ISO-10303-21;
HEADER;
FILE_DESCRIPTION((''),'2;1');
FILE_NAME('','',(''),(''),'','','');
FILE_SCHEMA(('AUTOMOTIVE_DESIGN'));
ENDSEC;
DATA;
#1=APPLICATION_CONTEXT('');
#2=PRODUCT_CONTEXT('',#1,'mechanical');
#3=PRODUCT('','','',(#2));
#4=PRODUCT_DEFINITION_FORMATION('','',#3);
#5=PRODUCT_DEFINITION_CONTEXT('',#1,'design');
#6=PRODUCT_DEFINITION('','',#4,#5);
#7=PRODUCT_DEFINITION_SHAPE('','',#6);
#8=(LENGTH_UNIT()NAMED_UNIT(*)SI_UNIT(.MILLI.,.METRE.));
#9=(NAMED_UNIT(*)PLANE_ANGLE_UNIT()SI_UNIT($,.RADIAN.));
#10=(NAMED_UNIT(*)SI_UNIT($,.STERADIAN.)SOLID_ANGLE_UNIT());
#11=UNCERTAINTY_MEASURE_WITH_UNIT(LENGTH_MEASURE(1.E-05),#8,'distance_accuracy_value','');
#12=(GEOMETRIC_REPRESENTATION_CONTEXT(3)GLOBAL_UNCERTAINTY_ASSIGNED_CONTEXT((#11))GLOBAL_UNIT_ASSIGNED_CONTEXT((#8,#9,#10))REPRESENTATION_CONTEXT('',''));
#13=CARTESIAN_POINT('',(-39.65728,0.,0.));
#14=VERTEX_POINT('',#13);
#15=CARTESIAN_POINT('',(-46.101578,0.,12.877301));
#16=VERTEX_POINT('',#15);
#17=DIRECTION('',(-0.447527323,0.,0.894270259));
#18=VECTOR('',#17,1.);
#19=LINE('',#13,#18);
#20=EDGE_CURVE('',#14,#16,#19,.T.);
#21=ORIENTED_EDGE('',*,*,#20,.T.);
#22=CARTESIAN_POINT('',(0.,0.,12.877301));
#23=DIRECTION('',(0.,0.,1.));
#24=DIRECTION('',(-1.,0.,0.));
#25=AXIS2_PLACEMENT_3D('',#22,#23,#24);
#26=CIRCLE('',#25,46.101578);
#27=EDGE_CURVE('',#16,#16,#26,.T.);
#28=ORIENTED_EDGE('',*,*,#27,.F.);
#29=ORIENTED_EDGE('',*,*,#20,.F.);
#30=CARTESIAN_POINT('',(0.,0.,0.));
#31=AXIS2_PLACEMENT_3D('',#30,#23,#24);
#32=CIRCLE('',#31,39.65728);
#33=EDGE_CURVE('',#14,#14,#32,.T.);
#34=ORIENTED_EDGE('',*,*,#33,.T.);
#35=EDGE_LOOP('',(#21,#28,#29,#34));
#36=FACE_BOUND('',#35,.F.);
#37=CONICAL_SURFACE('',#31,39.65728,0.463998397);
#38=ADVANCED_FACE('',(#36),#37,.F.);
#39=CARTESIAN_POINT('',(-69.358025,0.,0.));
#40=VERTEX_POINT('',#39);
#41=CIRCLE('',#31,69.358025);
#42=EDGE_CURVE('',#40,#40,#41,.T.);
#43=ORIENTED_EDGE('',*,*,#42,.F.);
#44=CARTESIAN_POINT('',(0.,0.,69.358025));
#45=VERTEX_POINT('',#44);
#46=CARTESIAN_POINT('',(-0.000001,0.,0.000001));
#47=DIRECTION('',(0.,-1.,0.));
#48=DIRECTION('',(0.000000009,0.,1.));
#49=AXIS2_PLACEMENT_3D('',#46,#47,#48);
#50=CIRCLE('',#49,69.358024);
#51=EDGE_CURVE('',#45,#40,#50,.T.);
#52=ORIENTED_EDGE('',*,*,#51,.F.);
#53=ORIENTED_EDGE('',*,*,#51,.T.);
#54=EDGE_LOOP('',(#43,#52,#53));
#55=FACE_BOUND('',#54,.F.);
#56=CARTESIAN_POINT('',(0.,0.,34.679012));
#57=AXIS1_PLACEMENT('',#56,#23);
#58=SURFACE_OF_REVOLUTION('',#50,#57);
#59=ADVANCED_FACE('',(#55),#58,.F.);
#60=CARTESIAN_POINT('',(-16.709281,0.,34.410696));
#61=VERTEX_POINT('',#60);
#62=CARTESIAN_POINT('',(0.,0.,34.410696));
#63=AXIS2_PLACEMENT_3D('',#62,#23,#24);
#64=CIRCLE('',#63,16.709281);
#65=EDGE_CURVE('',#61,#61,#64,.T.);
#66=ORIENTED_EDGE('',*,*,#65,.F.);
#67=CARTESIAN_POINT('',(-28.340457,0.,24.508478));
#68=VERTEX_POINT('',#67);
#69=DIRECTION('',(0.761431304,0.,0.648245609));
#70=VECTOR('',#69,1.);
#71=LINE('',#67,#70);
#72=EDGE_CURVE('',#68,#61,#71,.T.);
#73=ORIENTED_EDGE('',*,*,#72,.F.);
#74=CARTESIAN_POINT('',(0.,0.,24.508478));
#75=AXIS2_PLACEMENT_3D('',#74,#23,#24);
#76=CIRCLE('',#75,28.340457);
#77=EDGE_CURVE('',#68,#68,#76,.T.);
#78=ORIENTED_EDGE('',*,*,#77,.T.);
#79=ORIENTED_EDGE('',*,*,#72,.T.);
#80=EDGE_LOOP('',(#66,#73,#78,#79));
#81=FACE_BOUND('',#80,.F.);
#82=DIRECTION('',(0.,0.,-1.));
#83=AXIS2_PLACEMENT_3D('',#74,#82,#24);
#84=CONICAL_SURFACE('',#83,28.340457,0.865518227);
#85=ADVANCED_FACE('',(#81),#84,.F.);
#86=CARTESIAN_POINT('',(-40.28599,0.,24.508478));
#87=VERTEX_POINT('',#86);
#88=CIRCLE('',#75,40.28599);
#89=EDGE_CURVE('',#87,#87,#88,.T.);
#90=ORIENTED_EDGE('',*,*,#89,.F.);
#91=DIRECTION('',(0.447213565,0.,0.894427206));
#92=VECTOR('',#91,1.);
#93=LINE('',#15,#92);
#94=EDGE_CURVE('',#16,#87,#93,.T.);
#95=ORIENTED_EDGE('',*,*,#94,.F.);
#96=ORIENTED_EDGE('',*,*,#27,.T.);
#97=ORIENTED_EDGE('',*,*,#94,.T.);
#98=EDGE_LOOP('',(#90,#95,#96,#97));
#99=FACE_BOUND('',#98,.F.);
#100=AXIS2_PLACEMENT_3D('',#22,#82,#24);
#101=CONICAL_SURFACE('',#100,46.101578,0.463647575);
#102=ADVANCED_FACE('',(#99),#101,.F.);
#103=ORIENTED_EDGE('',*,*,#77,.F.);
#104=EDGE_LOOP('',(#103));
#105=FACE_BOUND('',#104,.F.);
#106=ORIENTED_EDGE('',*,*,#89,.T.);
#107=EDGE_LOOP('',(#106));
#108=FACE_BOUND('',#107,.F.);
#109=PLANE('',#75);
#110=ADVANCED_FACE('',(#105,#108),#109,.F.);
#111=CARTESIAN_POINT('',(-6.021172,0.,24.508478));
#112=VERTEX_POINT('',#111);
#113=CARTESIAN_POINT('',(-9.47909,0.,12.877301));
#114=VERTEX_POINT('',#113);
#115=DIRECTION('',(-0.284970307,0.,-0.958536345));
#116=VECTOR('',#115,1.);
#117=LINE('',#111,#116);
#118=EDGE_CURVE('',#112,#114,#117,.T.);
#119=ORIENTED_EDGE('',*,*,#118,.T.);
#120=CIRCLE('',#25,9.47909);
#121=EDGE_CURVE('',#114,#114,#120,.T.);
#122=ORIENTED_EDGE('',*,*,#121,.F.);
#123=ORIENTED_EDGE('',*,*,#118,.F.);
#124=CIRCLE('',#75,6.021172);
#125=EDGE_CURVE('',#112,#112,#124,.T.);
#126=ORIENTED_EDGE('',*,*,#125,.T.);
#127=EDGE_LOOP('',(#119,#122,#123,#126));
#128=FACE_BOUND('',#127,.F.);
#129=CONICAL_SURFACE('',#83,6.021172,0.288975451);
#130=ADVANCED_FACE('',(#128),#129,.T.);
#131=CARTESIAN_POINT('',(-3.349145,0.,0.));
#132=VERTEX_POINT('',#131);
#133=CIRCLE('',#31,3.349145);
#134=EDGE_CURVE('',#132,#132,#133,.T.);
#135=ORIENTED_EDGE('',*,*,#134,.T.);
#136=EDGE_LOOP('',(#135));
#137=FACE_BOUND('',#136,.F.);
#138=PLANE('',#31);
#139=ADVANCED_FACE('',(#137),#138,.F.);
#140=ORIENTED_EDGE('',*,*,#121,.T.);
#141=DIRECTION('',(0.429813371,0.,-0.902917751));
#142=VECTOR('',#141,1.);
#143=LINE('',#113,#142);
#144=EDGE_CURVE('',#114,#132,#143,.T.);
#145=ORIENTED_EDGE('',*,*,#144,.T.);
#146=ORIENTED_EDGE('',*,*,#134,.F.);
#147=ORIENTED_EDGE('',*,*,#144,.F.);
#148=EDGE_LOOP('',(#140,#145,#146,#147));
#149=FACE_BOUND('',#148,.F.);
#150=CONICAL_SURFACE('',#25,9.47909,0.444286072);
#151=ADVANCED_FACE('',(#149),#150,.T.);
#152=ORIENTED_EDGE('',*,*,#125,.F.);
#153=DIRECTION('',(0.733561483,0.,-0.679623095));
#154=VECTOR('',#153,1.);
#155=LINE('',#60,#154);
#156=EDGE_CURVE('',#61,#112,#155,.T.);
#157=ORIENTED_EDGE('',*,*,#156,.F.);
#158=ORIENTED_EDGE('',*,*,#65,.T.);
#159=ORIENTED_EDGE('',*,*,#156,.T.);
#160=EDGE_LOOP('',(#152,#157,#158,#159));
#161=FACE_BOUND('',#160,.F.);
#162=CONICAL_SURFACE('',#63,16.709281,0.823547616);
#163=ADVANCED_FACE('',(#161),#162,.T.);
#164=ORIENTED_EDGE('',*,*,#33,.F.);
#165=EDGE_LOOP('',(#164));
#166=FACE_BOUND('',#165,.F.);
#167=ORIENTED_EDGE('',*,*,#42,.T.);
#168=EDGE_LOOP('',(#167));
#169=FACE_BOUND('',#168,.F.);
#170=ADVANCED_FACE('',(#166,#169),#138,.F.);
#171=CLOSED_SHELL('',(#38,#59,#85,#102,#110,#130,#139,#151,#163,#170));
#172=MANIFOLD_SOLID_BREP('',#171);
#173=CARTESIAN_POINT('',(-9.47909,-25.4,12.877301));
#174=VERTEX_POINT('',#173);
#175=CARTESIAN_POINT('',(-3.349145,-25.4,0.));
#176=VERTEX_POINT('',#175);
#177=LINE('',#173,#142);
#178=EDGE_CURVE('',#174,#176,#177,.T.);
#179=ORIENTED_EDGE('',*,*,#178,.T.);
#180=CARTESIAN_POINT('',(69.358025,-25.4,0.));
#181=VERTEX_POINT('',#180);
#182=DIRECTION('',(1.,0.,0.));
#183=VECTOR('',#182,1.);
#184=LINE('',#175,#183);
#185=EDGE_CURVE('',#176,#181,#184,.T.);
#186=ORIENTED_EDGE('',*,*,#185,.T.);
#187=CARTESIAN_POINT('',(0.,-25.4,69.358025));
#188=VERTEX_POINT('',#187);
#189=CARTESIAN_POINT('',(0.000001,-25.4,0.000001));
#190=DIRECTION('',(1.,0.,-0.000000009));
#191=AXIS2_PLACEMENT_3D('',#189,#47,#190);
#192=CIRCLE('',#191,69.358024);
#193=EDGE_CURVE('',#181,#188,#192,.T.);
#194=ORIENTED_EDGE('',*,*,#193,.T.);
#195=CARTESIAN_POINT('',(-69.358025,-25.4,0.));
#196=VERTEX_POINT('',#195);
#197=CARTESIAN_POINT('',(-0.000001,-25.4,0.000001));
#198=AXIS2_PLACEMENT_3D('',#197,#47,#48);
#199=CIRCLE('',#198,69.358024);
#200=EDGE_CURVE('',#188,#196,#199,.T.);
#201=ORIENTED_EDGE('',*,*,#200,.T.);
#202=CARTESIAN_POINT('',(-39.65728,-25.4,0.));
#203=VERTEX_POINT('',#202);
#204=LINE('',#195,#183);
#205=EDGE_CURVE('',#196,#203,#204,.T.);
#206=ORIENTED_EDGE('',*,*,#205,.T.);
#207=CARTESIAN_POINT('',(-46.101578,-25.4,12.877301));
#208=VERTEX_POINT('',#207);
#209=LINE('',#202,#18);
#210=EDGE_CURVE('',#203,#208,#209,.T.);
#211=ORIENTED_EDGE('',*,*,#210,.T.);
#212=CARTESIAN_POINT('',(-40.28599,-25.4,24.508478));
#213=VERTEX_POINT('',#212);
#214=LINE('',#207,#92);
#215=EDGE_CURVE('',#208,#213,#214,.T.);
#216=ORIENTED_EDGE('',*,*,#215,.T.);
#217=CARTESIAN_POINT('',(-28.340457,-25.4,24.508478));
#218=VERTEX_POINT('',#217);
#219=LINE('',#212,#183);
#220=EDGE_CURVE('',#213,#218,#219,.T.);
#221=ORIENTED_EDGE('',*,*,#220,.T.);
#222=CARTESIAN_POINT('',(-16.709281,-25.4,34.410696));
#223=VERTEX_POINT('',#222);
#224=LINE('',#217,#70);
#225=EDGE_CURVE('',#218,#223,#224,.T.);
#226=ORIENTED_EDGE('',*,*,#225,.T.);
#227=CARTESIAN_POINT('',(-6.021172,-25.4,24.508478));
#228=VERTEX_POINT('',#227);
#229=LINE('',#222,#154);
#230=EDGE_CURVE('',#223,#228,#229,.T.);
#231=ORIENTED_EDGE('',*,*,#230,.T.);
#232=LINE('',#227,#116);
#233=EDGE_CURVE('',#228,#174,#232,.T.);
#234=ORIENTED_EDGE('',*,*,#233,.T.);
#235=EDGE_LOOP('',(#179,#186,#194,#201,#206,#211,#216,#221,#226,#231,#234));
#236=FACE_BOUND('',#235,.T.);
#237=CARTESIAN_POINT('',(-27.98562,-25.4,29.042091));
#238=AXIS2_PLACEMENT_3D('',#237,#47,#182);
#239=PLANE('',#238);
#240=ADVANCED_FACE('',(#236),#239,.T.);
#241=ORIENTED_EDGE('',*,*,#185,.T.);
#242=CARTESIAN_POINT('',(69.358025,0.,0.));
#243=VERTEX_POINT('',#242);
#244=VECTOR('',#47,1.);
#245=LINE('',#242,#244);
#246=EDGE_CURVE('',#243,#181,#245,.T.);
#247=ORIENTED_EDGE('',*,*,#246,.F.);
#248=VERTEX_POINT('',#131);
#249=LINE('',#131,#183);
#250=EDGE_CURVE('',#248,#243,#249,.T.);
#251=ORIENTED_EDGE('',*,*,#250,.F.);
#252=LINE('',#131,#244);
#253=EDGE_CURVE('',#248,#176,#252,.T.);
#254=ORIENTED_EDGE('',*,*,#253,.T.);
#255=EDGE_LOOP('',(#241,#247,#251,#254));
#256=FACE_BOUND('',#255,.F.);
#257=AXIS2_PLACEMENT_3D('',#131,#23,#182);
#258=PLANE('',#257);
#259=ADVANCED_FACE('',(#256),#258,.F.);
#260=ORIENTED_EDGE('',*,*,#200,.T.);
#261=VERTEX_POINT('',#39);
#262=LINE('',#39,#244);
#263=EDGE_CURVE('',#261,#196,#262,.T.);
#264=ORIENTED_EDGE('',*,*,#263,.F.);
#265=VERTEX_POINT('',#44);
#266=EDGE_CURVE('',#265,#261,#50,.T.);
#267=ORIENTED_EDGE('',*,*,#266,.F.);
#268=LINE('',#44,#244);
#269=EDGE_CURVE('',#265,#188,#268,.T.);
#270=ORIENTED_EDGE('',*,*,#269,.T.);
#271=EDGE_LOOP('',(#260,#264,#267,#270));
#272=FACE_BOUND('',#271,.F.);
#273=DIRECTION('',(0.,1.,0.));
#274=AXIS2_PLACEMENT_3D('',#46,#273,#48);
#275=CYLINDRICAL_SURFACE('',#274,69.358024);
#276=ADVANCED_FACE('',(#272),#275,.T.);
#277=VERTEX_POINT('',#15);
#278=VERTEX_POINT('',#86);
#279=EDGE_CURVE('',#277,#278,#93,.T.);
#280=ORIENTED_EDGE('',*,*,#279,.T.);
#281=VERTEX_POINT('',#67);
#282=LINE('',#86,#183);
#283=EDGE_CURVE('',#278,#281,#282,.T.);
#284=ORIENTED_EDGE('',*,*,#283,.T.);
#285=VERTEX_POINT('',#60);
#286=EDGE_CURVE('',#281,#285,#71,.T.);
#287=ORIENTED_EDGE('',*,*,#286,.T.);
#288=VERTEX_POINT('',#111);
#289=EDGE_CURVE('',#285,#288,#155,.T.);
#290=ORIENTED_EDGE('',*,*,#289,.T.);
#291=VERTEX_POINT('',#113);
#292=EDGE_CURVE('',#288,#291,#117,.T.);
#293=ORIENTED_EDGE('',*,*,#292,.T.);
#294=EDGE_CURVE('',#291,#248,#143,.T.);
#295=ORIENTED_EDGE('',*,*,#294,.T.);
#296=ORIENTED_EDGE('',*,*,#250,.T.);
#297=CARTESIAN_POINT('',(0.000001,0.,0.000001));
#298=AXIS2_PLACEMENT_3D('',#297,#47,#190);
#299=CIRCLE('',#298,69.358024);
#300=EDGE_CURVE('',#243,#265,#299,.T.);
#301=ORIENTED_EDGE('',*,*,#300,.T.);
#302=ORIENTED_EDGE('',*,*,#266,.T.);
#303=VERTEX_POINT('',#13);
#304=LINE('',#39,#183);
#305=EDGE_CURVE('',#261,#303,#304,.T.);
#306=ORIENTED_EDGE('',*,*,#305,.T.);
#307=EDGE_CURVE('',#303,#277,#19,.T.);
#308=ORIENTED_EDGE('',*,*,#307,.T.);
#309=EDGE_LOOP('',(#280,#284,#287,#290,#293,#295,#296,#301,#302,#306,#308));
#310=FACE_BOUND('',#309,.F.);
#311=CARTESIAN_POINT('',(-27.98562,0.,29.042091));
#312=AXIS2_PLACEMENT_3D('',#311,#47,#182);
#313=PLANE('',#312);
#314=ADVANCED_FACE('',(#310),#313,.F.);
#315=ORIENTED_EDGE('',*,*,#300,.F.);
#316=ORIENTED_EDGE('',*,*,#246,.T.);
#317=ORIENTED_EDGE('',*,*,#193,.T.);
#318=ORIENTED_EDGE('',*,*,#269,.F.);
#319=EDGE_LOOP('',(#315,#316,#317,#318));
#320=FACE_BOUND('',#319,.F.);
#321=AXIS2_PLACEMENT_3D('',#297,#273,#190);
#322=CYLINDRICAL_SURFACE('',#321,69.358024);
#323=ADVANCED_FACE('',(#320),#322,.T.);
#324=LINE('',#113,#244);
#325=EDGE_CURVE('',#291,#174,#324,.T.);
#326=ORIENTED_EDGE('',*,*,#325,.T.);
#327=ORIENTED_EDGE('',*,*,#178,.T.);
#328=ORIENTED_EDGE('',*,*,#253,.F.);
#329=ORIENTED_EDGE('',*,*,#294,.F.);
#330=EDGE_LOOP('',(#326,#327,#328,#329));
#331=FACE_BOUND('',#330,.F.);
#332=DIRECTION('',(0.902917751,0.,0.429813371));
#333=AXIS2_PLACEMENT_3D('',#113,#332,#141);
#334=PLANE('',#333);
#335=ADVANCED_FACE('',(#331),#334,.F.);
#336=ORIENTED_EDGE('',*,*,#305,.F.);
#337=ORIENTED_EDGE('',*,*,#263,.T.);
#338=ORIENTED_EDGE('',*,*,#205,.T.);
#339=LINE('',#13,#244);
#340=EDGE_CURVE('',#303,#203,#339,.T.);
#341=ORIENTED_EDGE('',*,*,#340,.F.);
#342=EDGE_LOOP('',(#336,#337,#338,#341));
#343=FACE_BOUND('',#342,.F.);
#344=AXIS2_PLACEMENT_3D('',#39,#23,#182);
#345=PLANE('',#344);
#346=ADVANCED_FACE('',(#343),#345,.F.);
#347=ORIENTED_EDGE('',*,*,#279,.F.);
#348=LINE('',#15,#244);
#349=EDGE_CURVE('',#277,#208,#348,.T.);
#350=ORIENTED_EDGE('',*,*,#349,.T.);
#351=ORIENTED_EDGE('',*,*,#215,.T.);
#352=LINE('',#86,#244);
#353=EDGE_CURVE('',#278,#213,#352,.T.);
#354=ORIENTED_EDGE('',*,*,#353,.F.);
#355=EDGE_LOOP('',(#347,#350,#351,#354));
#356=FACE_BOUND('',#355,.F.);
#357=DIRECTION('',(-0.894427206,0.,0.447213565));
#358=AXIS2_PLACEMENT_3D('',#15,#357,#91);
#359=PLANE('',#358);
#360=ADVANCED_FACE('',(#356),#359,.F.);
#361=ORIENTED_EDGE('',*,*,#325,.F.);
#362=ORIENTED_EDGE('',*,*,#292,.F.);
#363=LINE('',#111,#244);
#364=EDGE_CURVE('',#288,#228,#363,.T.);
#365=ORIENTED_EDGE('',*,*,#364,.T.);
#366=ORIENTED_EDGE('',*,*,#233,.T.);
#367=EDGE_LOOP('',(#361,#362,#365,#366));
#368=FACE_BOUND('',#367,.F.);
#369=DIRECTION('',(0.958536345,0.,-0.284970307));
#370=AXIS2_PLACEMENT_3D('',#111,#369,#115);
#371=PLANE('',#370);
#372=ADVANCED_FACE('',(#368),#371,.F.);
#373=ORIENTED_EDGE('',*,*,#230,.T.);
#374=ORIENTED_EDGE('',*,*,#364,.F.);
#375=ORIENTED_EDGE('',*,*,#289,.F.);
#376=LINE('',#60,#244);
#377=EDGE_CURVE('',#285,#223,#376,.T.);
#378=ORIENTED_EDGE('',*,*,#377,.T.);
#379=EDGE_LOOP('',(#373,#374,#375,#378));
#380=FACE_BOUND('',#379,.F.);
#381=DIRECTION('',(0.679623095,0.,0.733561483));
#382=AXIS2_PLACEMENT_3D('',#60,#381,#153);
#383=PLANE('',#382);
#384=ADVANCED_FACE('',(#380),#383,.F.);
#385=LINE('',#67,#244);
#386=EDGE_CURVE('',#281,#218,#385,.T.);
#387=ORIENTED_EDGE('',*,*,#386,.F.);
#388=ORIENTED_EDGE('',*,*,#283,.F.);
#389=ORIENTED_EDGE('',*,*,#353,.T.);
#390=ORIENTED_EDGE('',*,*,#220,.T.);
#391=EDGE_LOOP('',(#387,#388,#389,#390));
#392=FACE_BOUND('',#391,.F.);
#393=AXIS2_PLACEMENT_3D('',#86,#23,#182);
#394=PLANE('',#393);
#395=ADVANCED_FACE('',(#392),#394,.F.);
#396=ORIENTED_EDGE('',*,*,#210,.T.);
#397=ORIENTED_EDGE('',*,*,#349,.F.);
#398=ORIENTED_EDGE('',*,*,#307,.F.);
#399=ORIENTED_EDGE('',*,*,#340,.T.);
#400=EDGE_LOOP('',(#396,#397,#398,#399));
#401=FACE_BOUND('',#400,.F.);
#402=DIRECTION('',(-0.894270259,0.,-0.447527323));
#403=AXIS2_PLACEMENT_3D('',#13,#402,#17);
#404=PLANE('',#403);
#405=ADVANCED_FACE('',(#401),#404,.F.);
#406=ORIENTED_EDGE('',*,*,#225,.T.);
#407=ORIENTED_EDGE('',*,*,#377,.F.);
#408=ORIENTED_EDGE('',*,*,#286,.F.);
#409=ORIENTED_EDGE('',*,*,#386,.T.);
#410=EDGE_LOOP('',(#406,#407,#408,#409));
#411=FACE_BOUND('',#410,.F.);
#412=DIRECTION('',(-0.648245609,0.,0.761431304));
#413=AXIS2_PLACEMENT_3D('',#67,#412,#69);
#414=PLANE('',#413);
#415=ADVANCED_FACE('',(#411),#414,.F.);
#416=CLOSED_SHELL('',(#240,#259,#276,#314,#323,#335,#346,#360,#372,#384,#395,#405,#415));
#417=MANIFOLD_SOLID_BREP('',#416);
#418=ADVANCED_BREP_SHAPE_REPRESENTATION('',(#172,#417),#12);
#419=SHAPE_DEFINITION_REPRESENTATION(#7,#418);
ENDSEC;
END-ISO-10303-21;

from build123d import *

# Parameters (mm, degrees)
F2_DEPTH = 25.4


with BuildPart() as f1:
    # F0 (on Front) → F1 (revolve)
    with BuildSketch(Plane.XZ):
        with BuildLine():
            Line((0, 0), (0, 69.358025))
            ThreePointArc((0, 69.358025), (-49.04353, 49.04353), (-69.358025, 0))
            Line((-69.358025, 0), (-39.65728, 0))
            Line((-39.65728, 0), (-46.101578, 12.877301))
            Line((-46.101578, 12.877301), (-40.28599, 24.508478))
            Line((-40.28599, 24.508478), (-28.340457, 24.508478))
            Line((-28.340457, 24.508478), (-16.709281, 34.410696))
            Line((-16.709281, 34.410696), (-6.021172, 24.508478))
            Line((-6.021172, 24.508478), (-9.47909, 12.877301))
            Line((-9.47909, 12.877301), (-3.349145, 0))
            Line((-3.349145, 0), (0, 0))
        make_face()
    revolve(axis=Axis((0, 0, 34.679012), (0, 0, 1)))


with BuildPart() as f2:
    # F0 (on Front) → F2 (new body)
    with BuildSketch(Plane.XZ):
        with BuildLine():
            Line((0, 0), (0, 69.358025))
            ThreePointArc((0, 69.358025), (-49.04353, 49.04353), (-69.358025, 0))
            Line((-69.358025, 0), (-39.65728, 0))
            Line((-39.65728, 0), (-46.101578, 12.877301))
            Line((-46.101578, 12.877301), (-40.28599, 24.508478))
            Line((-40.28599, 24.508478), (-28.340457, 24.508478))
            Line((-28.340457, 24.508478), (-16.709281, 34.410696))
            Line((-16.709281, 34.410696), (-6.021172, 24.508478))
            Line((-6.021172, 24.508478), (-9.47909, 12.877301))
            Line((-9.47909, 12.877301), (-3.349145, 0))
            Line((-3.349145, 0), (0, 0))
        make_face()
        with BuildLine():
            Line((0, 0), (69.358025, 0))
            ThreePointArc((69.358025, 0), (49.04353, 49.04353), (0, 69.358025))
            Line((0, 69.358025), (0, 0))
        make_face()
    extrude(amount=F2_DEPTH)


solid = Compound([f1.part, f2.part])
